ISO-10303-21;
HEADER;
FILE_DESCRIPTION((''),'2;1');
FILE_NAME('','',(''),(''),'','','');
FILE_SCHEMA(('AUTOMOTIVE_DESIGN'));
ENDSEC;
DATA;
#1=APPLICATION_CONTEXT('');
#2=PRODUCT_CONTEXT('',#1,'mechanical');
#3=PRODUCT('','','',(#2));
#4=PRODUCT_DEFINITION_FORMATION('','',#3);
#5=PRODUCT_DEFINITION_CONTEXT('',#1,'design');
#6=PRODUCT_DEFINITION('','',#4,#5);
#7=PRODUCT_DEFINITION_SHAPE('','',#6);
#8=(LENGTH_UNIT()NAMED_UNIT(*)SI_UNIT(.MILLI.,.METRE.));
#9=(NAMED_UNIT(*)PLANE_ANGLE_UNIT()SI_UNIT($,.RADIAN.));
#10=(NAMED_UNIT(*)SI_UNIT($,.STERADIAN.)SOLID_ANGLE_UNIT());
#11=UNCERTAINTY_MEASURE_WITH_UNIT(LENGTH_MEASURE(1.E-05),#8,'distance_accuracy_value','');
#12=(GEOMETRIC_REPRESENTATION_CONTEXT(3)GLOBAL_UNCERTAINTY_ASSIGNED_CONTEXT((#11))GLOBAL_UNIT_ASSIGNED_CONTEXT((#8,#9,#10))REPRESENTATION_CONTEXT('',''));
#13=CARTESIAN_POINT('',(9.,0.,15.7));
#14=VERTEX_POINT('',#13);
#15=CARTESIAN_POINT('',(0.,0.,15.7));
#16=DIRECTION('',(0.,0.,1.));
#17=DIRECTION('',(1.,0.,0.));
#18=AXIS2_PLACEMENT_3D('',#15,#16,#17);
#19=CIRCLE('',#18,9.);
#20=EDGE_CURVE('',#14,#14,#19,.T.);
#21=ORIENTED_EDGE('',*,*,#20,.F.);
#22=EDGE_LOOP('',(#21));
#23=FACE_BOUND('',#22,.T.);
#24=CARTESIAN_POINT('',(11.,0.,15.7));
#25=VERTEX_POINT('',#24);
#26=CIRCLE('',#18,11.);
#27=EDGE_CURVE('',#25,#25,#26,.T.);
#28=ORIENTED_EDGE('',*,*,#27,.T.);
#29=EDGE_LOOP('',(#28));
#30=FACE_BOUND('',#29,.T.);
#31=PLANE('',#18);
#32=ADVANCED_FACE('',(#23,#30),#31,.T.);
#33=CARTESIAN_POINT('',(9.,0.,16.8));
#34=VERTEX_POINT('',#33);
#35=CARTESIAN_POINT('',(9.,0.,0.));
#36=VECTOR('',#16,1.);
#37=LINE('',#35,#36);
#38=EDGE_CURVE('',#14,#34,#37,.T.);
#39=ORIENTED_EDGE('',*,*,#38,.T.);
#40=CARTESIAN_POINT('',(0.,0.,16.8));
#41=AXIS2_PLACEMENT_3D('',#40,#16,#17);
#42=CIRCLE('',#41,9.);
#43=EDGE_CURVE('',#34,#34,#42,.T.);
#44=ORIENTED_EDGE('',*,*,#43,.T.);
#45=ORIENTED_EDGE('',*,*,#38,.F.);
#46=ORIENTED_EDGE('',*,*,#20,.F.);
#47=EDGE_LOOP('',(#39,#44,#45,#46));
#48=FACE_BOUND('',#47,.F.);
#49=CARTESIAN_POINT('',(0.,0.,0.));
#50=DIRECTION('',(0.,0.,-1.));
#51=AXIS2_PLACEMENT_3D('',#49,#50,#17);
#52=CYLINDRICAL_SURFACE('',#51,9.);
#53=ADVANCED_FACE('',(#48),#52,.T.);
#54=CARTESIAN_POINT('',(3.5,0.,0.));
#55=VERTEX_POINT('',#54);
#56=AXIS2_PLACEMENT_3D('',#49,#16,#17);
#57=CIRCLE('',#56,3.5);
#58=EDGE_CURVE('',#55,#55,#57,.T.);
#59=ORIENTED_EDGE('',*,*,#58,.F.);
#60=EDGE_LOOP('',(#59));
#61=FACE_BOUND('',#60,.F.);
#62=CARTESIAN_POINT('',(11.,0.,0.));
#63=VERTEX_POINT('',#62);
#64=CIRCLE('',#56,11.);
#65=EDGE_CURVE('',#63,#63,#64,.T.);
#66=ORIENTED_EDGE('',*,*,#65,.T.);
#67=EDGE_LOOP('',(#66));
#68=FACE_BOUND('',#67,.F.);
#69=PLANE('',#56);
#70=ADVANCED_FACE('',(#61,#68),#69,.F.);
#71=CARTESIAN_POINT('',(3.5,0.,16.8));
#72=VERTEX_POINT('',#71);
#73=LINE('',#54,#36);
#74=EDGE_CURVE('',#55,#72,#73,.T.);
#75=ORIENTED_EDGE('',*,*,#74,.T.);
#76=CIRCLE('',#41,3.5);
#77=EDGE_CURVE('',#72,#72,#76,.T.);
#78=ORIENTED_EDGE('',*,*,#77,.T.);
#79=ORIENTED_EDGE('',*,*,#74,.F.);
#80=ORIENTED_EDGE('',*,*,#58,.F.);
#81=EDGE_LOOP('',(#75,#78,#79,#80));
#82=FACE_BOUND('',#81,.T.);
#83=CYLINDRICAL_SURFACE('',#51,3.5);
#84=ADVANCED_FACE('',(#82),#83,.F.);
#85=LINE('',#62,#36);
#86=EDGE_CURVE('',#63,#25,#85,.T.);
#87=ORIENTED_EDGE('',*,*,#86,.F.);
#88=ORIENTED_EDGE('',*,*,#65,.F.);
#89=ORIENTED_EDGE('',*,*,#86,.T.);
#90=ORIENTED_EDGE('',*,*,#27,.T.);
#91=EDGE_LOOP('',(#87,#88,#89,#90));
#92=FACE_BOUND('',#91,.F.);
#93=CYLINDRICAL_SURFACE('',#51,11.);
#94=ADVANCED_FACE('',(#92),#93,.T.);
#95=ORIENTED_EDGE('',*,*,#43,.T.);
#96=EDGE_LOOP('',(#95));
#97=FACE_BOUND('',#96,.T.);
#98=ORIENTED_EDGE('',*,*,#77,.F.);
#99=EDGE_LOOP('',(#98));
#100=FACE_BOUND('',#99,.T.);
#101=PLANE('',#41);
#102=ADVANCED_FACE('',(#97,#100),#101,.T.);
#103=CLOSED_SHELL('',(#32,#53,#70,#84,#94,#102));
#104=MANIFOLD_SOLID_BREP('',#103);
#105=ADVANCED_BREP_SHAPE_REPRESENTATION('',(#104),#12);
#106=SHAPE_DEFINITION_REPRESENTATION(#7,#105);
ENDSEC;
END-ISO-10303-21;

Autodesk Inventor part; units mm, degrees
ref_plane "YZ Plane" through (0, 0, 0) normal (1, 0, 0) x (0, 1, 0)
ref_plane "XZ Plane" through (0, 0, 0) normal (0, 1, 0) x (-1, 0, 0)
ref_plane "XY Plane" through (0, 0, 0) normal (0, 0, 1) x (1, 0, 0)
sketch "Sketch1" plane through (0, 0, 0) normal (0, 0, 1) x (1, 0, 0)
  circle A0 centre (0, 0) radius 9
  circle A1 centre (0, 0) radius 3.5
  circle A2 centre (0, 0) radius 11
  dimension "d0" = 22
  dimension "d1" = 18
  dimension "d2" = 7
extrude "Extrusion1" add sketch "Sketch1" along normal blind 15.7 contours A2
extrude "Extrusion2" add sketch "Sketch1" along normal blind 16.8 contours A0
properties part number "Slip_Ring"
